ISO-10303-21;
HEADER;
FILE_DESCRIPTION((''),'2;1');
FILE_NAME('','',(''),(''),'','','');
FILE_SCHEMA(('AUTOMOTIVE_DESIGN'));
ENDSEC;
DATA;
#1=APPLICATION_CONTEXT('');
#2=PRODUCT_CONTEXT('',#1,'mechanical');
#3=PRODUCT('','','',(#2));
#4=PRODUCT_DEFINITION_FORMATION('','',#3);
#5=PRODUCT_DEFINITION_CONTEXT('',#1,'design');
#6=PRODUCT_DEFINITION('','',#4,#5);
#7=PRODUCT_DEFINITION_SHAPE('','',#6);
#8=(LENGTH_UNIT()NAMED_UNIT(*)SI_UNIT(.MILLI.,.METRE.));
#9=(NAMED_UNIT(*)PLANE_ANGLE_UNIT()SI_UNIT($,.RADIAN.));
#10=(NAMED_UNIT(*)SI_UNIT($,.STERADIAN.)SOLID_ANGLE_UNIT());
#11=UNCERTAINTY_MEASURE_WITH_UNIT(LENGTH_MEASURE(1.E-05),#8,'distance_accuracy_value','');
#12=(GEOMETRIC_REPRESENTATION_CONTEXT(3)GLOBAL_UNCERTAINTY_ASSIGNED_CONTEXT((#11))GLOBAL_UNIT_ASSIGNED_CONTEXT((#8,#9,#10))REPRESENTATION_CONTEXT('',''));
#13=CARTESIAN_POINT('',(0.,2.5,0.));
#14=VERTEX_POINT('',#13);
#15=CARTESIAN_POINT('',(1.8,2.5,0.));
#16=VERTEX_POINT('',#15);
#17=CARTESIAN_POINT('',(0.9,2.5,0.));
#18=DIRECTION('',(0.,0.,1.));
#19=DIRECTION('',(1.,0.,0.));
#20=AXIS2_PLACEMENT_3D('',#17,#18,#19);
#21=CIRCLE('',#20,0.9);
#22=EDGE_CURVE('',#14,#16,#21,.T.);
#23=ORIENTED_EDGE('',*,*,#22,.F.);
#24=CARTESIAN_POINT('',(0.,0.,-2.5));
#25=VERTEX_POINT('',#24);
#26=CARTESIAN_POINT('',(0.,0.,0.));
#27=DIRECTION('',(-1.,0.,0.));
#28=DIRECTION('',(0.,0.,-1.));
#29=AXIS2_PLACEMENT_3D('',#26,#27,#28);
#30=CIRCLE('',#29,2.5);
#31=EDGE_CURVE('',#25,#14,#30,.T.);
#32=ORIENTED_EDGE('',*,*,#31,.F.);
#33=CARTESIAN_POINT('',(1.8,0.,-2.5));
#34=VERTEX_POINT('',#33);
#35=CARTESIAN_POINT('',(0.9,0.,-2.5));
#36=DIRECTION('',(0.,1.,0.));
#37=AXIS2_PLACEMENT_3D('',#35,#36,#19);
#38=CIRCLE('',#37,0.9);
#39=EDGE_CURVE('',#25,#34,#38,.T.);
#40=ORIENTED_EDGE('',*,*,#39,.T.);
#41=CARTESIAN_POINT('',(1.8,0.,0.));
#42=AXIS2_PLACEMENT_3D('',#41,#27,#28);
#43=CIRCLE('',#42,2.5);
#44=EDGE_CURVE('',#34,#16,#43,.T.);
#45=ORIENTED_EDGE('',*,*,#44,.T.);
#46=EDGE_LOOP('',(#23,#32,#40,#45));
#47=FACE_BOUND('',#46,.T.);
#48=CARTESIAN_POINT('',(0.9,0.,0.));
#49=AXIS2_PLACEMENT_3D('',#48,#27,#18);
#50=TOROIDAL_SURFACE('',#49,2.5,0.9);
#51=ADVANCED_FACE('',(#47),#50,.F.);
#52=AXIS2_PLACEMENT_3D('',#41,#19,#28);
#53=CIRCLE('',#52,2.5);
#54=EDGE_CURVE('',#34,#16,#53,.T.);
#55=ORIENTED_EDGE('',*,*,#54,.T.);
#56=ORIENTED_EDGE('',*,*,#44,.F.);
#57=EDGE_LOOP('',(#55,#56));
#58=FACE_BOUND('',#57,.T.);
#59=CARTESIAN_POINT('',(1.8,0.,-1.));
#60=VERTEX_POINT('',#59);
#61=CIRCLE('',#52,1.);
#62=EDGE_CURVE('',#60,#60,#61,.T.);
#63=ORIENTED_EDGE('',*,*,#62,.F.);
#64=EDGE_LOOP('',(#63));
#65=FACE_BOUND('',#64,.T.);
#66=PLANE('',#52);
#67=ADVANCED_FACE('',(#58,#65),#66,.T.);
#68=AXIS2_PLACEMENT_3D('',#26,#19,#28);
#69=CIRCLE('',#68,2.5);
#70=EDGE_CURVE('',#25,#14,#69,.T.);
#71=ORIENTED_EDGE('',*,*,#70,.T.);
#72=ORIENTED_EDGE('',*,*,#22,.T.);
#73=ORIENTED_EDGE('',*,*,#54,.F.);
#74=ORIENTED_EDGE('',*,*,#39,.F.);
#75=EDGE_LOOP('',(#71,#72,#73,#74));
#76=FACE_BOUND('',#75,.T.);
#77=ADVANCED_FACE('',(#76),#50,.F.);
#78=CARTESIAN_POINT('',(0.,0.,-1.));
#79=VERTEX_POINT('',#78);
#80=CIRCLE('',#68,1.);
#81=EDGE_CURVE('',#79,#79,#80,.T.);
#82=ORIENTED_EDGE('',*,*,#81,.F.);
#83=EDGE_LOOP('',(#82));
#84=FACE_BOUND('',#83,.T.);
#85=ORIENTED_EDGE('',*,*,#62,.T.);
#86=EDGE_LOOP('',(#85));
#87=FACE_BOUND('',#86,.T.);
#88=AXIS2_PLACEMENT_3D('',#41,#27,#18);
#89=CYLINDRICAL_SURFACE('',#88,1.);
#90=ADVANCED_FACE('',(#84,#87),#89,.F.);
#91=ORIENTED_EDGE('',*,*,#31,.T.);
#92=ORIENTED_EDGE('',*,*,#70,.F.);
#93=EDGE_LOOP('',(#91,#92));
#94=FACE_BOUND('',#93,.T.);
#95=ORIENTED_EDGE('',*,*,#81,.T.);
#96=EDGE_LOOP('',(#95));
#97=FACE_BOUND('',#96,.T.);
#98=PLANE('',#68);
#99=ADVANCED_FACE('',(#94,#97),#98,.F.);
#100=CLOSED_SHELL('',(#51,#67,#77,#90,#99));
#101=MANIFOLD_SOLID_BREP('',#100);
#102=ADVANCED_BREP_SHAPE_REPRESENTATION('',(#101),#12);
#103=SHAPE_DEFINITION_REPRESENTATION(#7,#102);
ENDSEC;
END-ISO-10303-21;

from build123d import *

# Parameters (mm, degrees)
SKETCH1_R           = 2.5
SKETCH1_R_2         = 1
BOSS_EXTRUDE1_DEPTH = 1.8


with BuildPart() as part:
    # Sketch1 → Boss-Extrude1 (new body)
    with BuildSketch(Plane(origin=(0, 0, 0), x_dir=(0, 0, -1), z_dir=(1, 0, 0))):
        Circle(SKETCH1_R)
        Circle(SKETCH1_R_2, mode=Mode.SUBTRACT)
    extrude(amount=BOSS_EXTRUDE1_DEPTH)

    # Cut-Sweep5: sweep along a curve in space
    with BuildLine() as cut_sweep5_path:
        ThreePointArc((0, 0, -2.5), (0, 1.767766953, -1.767766953), (0, 2.5, 0))
        ThreePointArc((0, 2.5, 0), (0, 1.767766953, 1.767766953), (0, 0, 2.5))
        ThreePointArc((0, 0, 2.5), (0, -1.767766953, 1.767766953), (0, -2.5, 0))
        ThreePointArc((0, -2.5, 0), (0, -1.767766953, -1.767766953), (0, 0, -2.5))
    # Sketch21 → Cut-Sweep5 (sweep, cut)
    with BuildSketch(Plane.XY):
        with BuildLine():
            Line((0, 2.5), (1.8, 2.5))
            ThreePointArc((1.8, 2.5), (0.9, 1.6), (0, 2.5))
        make_face()
    sweep(path=cut_sweep5_path.line, mode=Mode.SUBTRACT)


solid = part.part
